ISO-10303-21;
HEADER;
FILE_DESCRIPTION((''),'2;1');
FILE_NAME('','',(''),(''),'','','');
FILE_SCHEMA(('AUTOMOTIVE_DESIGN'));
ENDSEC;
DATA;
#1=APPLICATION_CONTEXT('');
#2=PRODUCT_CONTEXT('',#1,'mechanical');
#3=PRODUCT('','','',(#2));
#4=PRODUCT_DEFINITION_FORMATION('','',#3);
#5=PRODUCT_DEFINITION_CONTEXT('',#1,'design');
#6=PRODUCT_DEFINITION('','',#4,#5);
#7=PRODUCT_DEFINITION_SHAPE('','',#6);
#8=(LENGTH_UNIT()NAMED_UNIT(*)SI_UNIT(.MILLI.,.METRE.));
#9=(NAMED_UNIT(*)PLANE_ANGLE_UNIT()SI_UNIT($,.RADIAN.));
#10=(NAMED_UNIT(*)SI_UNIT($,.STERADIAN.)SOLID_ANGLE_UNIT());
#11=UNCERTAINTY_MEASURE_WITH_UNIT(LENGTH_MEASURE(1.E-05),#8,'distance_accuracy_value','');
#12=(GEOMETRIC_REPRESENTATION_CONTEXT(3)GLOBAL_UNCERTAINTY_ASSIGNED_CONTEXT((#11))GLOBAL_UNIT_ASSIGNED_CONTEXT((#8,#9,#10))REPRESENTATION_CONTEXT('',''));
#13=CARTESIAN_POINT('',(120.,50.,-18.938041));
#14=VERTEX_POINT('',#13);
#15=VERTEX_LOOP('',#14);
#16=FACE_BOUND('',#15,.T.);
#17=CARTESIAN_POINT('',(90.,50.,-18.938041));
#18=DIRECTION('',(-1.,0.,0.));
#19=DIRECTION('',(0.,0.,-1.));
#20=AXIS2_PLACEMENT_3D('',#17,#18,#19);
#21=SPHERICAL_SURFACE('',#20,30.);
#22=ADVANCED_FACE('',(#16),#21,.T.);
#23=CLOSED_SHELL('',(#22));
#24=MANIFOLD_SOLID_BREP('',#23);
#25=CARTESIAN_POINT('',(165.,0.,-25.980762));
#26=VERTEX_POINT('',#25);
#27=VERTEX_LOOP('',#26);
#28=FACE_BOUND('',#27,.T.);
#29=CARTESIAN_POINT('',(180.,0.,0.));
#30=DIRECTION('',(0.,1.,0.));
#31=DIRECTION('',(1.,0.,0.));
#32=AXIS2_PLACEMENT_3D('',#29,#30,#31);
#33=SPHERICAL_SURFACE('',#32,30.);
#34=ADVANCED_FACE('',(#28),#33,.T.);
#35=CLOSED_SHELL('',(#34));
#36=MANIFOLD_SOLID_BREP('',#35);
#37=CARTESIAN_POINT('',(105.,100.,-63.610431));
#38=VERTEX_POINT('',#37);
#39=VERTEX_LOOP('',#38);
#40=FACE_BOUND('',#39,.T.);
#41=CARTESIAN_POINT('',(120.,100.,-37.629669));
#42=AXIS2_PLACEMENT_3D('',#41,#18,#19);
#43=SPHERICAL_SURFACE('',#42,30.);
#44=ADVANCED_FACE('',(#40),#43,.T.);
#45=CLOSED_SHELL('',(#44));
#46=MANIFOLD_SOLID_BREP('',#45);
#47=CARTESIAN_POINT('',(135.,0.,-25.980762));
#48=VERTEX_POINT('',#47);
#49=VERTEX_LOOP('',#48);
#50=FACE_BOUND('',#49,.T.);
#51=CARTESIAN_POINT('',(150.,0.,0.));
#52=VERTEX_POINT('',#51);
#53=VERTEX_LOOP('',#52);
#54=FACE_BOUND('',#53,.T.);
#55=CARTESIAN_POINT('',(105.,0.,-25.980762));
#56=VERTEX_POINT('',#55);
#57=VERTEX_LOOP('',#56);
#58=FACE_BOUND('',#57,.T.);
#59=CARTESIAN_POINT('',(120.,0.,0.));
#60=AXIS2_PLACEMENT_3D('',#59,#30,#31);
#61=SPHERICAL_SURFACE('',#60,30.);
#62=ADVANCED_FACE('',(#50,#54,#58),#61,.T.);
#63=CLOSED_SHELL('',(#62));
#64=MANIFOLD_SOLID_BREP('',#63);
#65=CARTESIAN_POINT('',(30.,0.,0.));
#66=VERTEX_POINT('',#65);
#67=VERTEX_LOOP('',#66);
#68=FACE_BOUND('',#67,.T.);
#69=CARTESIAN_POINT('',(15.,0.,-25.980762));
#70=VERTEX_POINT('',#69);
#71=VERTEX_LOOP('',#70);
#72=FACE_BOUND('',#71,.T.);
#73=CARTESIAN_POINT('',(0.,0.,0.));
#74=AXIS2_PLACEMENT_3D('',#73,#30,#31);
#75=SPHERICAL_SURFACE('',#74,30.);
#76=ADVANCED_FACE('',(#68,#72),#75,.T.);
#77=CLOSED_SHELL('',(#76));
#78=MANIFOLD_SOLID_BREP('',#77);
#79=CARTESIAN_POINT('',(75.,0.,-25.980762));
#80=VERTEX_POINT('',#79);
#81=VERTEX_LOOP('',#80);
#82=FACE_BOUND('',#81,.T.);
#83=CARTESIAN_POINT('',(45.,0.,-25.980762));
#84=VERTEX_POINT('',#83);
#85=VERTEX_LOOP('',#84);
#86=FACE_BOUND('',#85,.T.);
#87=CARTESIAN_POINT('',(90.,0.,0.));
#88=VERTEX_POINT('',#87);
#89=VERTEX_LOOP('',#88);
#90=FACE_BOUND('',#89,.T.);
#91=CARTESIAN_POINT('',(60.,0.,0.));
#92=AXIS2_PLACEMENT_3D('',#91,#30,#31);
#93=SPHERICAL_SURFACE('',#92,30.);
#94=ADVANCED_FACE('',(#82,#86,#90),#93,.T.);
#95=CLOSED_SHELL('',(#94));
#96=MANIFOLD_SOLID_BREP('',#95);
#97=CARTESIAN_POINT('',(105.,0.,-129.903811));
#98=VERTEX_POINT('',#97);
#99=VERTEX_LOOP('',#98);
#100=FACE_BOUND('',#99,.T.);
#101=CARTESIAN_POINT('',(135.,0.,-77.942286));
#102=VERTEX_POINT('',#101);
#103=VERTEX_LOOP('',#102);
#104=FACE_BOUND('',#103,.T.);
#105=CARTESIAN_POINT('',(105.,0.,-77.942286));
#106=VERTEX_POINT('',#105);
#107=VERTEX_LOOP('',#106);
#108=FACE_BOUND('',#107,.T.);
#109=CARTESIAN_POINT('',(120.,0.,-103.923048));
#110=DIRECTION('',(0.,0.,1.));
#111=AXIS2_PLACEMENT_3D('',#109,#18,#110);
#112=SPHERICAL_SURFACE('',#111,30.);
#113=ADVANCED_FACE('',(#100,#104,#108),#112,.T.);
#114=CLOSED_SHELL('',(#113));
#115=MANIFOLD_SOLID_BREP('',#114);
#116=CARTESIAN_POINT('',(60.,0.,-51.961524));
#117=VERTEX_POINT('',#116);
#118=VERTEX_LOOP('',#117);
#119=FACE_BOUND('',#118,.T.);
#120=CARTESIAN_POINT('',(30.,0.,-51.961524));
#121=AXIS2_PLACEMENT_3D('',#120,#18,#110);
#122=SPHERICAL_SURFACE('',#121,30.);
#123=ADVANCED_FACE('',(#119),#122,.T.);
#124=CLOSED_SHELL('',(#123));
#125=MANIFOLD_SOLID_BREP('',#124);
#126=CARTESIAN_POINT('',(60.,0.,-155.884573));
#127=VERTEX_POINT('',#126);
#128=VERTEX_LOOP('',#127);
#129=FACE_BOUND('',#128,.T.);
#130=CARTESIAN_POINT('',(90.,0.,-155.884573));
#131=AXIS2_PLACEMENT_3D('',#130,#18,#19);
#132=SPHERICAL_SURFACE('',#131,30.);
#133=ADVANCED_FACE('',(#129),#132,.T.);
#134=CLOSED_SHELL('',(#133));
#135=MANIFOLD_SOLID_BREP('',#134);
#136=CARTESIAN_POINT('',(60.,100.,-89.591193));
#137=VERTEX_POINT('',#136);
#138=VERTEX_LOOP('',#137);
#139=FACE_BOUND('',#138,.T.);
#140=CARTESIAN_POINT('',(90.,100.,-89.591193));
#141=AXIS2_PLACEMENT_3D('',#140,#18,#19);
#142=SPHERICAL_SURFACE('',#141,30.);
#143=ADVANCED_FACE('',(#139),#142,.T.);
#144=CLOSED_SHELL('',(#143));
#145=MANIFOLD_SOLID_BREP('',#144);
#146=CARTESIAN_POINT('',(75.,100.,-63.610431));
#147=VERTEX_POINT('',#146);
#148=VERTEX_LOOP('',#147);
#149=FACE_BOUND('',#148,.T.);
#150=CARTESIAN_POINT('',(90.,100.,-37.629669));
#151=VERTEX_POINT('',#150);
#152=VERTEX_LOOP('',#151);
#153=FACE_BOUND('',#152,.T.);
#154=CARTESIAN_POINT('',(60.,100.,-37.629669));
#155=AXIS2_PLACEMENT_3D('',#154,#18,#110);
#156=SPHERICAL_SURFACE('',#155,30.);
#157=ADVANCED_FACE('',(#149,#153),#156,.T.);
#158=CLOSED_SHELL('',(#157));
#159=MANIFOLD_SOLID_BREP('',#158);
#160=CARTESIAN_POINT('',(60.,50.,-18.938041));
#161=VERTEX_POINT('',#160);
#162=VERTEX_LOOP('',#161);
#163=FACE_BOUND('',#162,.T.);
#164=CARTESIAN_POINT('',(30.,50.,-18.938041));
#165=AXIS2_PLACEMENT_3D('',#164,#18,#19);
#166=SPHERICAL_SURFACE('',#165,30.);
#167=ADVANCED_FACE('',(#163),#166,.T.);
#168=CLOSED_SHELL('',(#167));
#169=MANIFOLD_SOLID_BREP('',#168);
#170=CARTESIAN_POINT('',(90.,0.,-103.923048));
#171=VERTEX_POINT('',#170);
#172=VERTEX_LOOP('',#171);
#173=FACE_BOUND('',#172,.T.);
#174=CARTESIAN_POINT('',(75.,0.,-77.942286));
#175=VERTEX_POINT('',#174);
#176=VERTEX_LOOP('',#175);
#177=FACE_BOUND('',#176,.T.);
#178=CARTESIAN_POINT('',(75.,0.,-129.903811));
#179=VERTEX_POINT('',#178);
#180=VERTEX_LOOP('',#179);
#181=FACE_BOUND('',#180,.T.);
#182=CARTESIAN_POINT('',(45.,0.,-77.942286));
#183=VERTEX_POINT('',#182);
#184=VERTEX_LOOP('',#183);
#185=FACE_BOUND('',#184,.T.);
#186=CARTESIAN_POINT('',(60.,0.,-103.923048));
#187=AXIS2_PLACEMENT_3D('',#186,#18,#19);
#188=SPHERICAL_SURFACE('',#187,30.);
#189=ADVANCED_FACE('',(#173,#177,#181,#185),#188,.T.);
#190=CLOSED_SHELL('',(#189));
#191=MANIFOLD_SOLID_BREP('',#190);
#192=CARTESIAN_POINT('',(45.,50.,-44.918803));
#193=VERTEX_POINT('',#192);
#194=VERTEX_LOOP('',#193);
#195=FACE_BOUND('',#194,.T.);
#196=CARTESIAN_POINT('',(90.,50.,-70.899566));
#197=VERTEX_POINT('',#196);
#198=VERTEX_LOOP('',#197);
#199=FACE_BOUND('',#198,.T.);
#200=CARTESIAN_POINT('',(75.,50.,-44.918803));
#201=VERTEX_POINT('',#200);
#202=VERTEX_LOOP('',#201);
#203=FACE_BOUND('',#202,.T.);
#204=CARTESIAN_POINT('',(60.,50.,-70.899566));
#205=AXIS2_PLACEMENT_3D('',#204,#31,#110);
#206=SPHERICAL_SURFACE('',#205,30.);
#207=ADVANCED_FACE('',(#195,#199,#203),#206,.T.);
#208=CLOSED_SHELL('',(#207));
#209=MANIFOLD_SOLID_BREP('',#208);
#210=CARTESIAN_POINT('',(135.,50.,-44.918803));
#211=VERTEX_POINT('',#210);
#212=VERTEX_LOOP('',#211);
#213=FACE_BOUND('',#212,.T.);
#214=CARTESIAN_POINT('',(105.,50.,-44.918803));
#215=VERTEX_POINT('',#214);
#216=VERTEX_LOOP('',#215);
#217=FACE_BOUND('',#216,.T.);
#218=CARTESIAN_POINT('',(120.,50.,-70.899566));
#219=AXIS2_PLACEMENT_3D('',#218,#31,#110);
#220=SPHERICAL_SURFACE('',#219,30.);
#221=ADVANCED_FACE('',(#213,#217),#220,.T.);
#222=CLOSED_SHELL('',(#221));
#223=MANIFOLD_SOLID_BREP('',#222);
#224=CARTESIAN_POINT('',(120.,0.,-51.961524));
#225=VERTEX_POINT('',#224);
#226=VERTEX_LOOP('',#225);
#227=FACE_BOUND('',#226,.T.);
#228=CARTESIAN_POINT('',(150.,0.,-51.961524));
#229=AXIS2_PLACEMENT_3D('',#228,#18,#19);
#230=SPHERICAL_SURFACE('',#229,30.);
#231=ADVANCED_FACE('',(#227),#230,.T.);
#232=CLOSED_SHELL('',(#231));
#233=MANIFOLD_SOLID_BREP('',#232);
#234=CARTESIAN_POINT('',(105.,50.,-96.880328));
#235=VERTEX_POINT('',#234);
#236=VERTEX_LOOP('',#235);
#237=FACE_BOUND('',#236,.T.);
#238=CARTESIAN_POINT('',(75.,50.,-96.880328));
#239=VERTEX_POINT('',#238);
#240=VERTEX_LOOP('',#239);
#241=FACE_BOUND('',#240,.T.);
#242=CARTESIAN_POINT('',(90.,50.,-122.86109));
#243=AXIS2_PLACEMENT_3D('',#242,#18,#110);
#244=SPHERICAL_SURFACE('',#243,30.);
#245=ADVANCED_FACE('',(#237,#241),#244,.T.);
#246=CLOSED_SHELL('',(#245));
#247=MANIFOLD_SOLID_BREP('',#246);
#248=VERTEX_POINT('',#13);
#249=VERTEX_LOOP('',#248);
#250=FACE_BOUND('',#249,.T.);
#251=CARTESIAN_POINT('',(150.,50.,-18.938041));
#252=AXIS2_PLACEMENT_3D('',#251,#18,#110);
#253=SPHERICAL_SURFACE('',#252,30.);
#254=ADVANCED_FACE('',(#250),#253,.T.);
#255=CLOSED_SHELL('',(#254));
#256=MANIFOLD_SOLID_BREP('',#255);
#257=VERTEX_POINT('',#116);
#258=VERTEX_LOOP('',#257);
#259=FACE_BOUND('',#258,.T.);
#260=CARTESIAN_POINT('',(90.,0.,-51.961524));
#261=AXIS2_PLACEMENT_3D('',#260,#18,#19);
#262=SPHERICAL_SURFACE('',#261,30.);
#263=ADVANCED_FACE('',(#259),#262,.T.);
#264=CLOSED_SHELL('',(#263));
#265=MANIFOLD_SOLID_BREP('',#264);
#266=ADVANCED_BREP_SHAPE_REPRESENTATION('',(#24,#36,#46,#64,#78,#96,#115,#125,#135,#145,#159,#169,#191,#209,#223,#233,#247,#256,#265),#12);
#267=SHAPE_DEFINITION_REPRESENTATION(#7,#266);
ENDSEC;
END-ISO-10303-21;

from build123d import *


with BuildPart() as part:
    # 草圖1 → 旋轉1 (revolve)
    with BuildSketch(Plane.XY):
        with BuildLine():
            ThreePointArc((0, -30), (30, 0), (0, 30))
            Line((0, 30), (0, -30))
        make_face()
    revolve(axis=Axis((0, 30, 0), (0, -1, 0)))


with BuildPart() as body_2:
    # 草圖1<8> → 旋轉2 (revolve)
    with BuildSketch(Plane.XY):
        with BuildLine():
            ThreePointArc((60, -30), (90, 0), (60, 30))
            Line((60, 30), (60, -30))
        make_face()
    revolve(axis=Axis((60, 30, 0), (0, -1, 0)))


with BuildPart() as body_3:
    # 草圖1<9> → 旋轉3 (revolve)
    with BuildSketch(Plane.XY):
        with BuildLine():
            ThreePointArc((120.355011354, -29.997899375), (149.999474839, 0.177508784), (120, 30))
            Line((120, 30), (120, -30))
            ThreePointArc((120, -30), (120.177508784, -29.999474839), (120.355011354, -29.997899375))
        make_face()
    revolve(axis=Axis((120, -30, 0), (0, -1, 0)))


with BuildPart() as body_4:
    # 草圖1<10> → 旋轉4 (revolve)
    with BuildSketch(Plane.XY):
        with BuildLine():
            Line((180, 30), (180, -30))
            ThreePointArc((180, -30), (210, 0), (180, 30))
        make_face()
    revolve(axis=Axis((180, 30, 0), (0, -1, 0)))


with BuildPart() as body_5:
    # 草圖2 → 旋轉5 (revolve)
    with BuildSketch(Plane(origin=(0, 0, 0), x_dir=(1, 0, 0), z_dir=(0, 1, 0))):
        with BuildLine():
            ThreePointArc((90, 103.923048454), (60, 133.923048454), (30, 103.923048454))
            Line((30, 103.923048454), (90, 103.923048454))
        make_face()
        with BuildLine():
            ThreePointArc((150, 103.923048454), (120, 133.923048454), (90, 103.923048454))
            Line((90, 103.923048454), (150, 103.923048454))
        make_face()
    revolve(axis=Axis((12.758715889, 0, -103.923048454), (1, 0, 0)))


with BuildPart() as body_6:
    # 草圖2<5> → 旋轉6 (revolve)
    with BuildSketch(Plane(origin=(0, 0, 0), x_dir=(1, 0, 0), z_dir=(0, 1, 0))):
        with BuildLine():
            Line((60, 51.961524227), (0, 51.961524227))
            ThreePointArc((0, 51.961524227), (30, 21.961524227), (60, 51.961524227))
        make_face()
        with BuildLine():
            Line((180, 51.961524227), (120, 51.961524227))
            ThreePointArc((120, 51.961524227), (150, 21.961524227), (180, 51.961524227))
        make_face()
    revolve(axis=Axis((-15.55147478, 0, -51.961524227), (1, 0, 0)))


with BuildPart() as body_7:
    # 草圖2<6> → 旋轉7 (revolve)
    with BuildSketch(Plane(origin=(0, 0, 0), x_dir=(1, 0, 0), z_dir=(0, 1, 0))):
        with BuildLine():
            ThreePointArc((120, 155.884572681), (90, 185.884572681), (60, 155.884572681))
            Line((60, 155.884572681), (120, 155.884572681))
        make_face()
    revolve(axis=Axis((42.056471349, 0, -155.884572681), (1, 0, 0)))


with BuildPart() as body_8:
    # 草圖3 → 旋轉8 (revolve)
    with BuildSketch(Plane(origin=(0, 0, 0), x_dir=(1, 0, 0), z_dir=(0, 1, 0))):
        with BuildLine():
            ThreePointArc((120, 51.961524227), (90, 81.961524227), (60, 51.961524227))
            Line((60, 51.961524227), (120, 51.961524227))
        make_face()
    revolve(axis=Axis((47.949574232, 0, -51.961524227), (1, 0, 0)))


with BuildPart() as body_9:
    # 草圖4 → 旋轉9 (revolve)
    with BuildSketch(Plane(origin=(0, 50, 0), x_dir=(1, 0, 0), z_dir=(0, 1, 0))):
        with BuildLine():
            ThreePointArc((120, 122.861089816), (90, 152.861089816), (60, 122.861089816))
            Line((60, 122.861089816), (120, 122.861089816))
        make_face()
    revolve(axis=Axis((120, 50, -122.861089816), (1, 0, 0)))


with BuildPart() as body_10:
    # 草圖4<6> → 旋轉10 (revolve)
    with BuildSketch(Plane(origin=(0, 50, 0), x_dir=(1, 0, 0), z_dir=(0, 1, 0))):
        with BuildLine():
            ThreePointArc((90, 70.899565588), (120, 40.899565588), (150, 70.899565588))
            Line((150, 70.899565588), (90, 70.899565588))
        make_face()
        with BuildLine():
            ThreePointArc((30, 70.899565588), (60, 40.899565588), (90, 70.899565588))
            Line((90, 70.899565588), (30, 70.899565588))
        make_face()
    revolve(axis=Axis((30, 50, -70.899565588), (-1, 0, 0)))


with BuildPart() as body_11:
    # 草圖4<7> → 旋轉11 (revolve)
    with BuildSketch(Plane(origin=(0, 50, 0), x_dir=(1, 0, 0), z_dir=(0, 1, 0))):
        with BuildLine():
            Line((180, 18.938041361), (120, 18.938041361))
            ThreePointArc((120, 18.938041361), (150, -11.061958639), (180, 18.938041361))
        make_face()
        with BuildLine():
            Line((120, 18.938041361), (60, 18.938041361))
            ThreePointArc((60, 18.938041361), (90, -11.061958639), (120, 18.938041361))
        make_face()
        with BuildLine():
            Line((60, 18.938041361), (0, 18.938041361))
            ThreePointArc((0, 18.938041361), (30, -11.061958639), (60, 18.938041361))
        make_face()
    revolve(axis=Axis((30, 50, -18.938041361), (1, 0, 0)))


with BuildPart() as body_12:
    # 草圖5 → 旋轉12 (revolve)
    with BuildSketch(Plane(origin=(0, 100, 0), x_dir=(1, 0, 0), z_dir=(0, 1, 0))):
        with BuildLine():
            Line((150, 37.629668848), (90, 37.629668848))
            ThreePointArc((90, 37.629668848), (120, 7.629668848), (150, 37.629668848))
        make_face()
        with BuildLine():
            Line((90, 37.629668848), (30, 37.629668848))
            ThreePointArc((30, 37.629668848), (60, 7.629668848), (90, 37.629668848))
        make_face()
    revolve(axis=Axis((150, 100, -37.629668848), (1, 0, 0)))


with BuildPart() as body_13:
    # 草圖5<5> → 旋轉13 (revolve)
    with BuildSketch(Plane(origin=(0, 100, 0), x_dir=(1, 0, 0), z_dir=(0, 1, 0))):
        with BuildLine():
            Line((60, 89.591193075), (120, 89.591193075))
            ThreePointArc((120, 89.591193075), (90, 119.591193075), (60, 89.591193075))
        make_face()
    revolve(axis=Axis((120, 100, -89.591193075), (1, 0, 0)))


solid = Compound([part.part, body_2.part, body_3.part, body_4.part, body_5.part, body_6.part, body_7.part, body_8.part, body_9.part, body_10.part, body_11.part, body_12.part, body_13.part])
